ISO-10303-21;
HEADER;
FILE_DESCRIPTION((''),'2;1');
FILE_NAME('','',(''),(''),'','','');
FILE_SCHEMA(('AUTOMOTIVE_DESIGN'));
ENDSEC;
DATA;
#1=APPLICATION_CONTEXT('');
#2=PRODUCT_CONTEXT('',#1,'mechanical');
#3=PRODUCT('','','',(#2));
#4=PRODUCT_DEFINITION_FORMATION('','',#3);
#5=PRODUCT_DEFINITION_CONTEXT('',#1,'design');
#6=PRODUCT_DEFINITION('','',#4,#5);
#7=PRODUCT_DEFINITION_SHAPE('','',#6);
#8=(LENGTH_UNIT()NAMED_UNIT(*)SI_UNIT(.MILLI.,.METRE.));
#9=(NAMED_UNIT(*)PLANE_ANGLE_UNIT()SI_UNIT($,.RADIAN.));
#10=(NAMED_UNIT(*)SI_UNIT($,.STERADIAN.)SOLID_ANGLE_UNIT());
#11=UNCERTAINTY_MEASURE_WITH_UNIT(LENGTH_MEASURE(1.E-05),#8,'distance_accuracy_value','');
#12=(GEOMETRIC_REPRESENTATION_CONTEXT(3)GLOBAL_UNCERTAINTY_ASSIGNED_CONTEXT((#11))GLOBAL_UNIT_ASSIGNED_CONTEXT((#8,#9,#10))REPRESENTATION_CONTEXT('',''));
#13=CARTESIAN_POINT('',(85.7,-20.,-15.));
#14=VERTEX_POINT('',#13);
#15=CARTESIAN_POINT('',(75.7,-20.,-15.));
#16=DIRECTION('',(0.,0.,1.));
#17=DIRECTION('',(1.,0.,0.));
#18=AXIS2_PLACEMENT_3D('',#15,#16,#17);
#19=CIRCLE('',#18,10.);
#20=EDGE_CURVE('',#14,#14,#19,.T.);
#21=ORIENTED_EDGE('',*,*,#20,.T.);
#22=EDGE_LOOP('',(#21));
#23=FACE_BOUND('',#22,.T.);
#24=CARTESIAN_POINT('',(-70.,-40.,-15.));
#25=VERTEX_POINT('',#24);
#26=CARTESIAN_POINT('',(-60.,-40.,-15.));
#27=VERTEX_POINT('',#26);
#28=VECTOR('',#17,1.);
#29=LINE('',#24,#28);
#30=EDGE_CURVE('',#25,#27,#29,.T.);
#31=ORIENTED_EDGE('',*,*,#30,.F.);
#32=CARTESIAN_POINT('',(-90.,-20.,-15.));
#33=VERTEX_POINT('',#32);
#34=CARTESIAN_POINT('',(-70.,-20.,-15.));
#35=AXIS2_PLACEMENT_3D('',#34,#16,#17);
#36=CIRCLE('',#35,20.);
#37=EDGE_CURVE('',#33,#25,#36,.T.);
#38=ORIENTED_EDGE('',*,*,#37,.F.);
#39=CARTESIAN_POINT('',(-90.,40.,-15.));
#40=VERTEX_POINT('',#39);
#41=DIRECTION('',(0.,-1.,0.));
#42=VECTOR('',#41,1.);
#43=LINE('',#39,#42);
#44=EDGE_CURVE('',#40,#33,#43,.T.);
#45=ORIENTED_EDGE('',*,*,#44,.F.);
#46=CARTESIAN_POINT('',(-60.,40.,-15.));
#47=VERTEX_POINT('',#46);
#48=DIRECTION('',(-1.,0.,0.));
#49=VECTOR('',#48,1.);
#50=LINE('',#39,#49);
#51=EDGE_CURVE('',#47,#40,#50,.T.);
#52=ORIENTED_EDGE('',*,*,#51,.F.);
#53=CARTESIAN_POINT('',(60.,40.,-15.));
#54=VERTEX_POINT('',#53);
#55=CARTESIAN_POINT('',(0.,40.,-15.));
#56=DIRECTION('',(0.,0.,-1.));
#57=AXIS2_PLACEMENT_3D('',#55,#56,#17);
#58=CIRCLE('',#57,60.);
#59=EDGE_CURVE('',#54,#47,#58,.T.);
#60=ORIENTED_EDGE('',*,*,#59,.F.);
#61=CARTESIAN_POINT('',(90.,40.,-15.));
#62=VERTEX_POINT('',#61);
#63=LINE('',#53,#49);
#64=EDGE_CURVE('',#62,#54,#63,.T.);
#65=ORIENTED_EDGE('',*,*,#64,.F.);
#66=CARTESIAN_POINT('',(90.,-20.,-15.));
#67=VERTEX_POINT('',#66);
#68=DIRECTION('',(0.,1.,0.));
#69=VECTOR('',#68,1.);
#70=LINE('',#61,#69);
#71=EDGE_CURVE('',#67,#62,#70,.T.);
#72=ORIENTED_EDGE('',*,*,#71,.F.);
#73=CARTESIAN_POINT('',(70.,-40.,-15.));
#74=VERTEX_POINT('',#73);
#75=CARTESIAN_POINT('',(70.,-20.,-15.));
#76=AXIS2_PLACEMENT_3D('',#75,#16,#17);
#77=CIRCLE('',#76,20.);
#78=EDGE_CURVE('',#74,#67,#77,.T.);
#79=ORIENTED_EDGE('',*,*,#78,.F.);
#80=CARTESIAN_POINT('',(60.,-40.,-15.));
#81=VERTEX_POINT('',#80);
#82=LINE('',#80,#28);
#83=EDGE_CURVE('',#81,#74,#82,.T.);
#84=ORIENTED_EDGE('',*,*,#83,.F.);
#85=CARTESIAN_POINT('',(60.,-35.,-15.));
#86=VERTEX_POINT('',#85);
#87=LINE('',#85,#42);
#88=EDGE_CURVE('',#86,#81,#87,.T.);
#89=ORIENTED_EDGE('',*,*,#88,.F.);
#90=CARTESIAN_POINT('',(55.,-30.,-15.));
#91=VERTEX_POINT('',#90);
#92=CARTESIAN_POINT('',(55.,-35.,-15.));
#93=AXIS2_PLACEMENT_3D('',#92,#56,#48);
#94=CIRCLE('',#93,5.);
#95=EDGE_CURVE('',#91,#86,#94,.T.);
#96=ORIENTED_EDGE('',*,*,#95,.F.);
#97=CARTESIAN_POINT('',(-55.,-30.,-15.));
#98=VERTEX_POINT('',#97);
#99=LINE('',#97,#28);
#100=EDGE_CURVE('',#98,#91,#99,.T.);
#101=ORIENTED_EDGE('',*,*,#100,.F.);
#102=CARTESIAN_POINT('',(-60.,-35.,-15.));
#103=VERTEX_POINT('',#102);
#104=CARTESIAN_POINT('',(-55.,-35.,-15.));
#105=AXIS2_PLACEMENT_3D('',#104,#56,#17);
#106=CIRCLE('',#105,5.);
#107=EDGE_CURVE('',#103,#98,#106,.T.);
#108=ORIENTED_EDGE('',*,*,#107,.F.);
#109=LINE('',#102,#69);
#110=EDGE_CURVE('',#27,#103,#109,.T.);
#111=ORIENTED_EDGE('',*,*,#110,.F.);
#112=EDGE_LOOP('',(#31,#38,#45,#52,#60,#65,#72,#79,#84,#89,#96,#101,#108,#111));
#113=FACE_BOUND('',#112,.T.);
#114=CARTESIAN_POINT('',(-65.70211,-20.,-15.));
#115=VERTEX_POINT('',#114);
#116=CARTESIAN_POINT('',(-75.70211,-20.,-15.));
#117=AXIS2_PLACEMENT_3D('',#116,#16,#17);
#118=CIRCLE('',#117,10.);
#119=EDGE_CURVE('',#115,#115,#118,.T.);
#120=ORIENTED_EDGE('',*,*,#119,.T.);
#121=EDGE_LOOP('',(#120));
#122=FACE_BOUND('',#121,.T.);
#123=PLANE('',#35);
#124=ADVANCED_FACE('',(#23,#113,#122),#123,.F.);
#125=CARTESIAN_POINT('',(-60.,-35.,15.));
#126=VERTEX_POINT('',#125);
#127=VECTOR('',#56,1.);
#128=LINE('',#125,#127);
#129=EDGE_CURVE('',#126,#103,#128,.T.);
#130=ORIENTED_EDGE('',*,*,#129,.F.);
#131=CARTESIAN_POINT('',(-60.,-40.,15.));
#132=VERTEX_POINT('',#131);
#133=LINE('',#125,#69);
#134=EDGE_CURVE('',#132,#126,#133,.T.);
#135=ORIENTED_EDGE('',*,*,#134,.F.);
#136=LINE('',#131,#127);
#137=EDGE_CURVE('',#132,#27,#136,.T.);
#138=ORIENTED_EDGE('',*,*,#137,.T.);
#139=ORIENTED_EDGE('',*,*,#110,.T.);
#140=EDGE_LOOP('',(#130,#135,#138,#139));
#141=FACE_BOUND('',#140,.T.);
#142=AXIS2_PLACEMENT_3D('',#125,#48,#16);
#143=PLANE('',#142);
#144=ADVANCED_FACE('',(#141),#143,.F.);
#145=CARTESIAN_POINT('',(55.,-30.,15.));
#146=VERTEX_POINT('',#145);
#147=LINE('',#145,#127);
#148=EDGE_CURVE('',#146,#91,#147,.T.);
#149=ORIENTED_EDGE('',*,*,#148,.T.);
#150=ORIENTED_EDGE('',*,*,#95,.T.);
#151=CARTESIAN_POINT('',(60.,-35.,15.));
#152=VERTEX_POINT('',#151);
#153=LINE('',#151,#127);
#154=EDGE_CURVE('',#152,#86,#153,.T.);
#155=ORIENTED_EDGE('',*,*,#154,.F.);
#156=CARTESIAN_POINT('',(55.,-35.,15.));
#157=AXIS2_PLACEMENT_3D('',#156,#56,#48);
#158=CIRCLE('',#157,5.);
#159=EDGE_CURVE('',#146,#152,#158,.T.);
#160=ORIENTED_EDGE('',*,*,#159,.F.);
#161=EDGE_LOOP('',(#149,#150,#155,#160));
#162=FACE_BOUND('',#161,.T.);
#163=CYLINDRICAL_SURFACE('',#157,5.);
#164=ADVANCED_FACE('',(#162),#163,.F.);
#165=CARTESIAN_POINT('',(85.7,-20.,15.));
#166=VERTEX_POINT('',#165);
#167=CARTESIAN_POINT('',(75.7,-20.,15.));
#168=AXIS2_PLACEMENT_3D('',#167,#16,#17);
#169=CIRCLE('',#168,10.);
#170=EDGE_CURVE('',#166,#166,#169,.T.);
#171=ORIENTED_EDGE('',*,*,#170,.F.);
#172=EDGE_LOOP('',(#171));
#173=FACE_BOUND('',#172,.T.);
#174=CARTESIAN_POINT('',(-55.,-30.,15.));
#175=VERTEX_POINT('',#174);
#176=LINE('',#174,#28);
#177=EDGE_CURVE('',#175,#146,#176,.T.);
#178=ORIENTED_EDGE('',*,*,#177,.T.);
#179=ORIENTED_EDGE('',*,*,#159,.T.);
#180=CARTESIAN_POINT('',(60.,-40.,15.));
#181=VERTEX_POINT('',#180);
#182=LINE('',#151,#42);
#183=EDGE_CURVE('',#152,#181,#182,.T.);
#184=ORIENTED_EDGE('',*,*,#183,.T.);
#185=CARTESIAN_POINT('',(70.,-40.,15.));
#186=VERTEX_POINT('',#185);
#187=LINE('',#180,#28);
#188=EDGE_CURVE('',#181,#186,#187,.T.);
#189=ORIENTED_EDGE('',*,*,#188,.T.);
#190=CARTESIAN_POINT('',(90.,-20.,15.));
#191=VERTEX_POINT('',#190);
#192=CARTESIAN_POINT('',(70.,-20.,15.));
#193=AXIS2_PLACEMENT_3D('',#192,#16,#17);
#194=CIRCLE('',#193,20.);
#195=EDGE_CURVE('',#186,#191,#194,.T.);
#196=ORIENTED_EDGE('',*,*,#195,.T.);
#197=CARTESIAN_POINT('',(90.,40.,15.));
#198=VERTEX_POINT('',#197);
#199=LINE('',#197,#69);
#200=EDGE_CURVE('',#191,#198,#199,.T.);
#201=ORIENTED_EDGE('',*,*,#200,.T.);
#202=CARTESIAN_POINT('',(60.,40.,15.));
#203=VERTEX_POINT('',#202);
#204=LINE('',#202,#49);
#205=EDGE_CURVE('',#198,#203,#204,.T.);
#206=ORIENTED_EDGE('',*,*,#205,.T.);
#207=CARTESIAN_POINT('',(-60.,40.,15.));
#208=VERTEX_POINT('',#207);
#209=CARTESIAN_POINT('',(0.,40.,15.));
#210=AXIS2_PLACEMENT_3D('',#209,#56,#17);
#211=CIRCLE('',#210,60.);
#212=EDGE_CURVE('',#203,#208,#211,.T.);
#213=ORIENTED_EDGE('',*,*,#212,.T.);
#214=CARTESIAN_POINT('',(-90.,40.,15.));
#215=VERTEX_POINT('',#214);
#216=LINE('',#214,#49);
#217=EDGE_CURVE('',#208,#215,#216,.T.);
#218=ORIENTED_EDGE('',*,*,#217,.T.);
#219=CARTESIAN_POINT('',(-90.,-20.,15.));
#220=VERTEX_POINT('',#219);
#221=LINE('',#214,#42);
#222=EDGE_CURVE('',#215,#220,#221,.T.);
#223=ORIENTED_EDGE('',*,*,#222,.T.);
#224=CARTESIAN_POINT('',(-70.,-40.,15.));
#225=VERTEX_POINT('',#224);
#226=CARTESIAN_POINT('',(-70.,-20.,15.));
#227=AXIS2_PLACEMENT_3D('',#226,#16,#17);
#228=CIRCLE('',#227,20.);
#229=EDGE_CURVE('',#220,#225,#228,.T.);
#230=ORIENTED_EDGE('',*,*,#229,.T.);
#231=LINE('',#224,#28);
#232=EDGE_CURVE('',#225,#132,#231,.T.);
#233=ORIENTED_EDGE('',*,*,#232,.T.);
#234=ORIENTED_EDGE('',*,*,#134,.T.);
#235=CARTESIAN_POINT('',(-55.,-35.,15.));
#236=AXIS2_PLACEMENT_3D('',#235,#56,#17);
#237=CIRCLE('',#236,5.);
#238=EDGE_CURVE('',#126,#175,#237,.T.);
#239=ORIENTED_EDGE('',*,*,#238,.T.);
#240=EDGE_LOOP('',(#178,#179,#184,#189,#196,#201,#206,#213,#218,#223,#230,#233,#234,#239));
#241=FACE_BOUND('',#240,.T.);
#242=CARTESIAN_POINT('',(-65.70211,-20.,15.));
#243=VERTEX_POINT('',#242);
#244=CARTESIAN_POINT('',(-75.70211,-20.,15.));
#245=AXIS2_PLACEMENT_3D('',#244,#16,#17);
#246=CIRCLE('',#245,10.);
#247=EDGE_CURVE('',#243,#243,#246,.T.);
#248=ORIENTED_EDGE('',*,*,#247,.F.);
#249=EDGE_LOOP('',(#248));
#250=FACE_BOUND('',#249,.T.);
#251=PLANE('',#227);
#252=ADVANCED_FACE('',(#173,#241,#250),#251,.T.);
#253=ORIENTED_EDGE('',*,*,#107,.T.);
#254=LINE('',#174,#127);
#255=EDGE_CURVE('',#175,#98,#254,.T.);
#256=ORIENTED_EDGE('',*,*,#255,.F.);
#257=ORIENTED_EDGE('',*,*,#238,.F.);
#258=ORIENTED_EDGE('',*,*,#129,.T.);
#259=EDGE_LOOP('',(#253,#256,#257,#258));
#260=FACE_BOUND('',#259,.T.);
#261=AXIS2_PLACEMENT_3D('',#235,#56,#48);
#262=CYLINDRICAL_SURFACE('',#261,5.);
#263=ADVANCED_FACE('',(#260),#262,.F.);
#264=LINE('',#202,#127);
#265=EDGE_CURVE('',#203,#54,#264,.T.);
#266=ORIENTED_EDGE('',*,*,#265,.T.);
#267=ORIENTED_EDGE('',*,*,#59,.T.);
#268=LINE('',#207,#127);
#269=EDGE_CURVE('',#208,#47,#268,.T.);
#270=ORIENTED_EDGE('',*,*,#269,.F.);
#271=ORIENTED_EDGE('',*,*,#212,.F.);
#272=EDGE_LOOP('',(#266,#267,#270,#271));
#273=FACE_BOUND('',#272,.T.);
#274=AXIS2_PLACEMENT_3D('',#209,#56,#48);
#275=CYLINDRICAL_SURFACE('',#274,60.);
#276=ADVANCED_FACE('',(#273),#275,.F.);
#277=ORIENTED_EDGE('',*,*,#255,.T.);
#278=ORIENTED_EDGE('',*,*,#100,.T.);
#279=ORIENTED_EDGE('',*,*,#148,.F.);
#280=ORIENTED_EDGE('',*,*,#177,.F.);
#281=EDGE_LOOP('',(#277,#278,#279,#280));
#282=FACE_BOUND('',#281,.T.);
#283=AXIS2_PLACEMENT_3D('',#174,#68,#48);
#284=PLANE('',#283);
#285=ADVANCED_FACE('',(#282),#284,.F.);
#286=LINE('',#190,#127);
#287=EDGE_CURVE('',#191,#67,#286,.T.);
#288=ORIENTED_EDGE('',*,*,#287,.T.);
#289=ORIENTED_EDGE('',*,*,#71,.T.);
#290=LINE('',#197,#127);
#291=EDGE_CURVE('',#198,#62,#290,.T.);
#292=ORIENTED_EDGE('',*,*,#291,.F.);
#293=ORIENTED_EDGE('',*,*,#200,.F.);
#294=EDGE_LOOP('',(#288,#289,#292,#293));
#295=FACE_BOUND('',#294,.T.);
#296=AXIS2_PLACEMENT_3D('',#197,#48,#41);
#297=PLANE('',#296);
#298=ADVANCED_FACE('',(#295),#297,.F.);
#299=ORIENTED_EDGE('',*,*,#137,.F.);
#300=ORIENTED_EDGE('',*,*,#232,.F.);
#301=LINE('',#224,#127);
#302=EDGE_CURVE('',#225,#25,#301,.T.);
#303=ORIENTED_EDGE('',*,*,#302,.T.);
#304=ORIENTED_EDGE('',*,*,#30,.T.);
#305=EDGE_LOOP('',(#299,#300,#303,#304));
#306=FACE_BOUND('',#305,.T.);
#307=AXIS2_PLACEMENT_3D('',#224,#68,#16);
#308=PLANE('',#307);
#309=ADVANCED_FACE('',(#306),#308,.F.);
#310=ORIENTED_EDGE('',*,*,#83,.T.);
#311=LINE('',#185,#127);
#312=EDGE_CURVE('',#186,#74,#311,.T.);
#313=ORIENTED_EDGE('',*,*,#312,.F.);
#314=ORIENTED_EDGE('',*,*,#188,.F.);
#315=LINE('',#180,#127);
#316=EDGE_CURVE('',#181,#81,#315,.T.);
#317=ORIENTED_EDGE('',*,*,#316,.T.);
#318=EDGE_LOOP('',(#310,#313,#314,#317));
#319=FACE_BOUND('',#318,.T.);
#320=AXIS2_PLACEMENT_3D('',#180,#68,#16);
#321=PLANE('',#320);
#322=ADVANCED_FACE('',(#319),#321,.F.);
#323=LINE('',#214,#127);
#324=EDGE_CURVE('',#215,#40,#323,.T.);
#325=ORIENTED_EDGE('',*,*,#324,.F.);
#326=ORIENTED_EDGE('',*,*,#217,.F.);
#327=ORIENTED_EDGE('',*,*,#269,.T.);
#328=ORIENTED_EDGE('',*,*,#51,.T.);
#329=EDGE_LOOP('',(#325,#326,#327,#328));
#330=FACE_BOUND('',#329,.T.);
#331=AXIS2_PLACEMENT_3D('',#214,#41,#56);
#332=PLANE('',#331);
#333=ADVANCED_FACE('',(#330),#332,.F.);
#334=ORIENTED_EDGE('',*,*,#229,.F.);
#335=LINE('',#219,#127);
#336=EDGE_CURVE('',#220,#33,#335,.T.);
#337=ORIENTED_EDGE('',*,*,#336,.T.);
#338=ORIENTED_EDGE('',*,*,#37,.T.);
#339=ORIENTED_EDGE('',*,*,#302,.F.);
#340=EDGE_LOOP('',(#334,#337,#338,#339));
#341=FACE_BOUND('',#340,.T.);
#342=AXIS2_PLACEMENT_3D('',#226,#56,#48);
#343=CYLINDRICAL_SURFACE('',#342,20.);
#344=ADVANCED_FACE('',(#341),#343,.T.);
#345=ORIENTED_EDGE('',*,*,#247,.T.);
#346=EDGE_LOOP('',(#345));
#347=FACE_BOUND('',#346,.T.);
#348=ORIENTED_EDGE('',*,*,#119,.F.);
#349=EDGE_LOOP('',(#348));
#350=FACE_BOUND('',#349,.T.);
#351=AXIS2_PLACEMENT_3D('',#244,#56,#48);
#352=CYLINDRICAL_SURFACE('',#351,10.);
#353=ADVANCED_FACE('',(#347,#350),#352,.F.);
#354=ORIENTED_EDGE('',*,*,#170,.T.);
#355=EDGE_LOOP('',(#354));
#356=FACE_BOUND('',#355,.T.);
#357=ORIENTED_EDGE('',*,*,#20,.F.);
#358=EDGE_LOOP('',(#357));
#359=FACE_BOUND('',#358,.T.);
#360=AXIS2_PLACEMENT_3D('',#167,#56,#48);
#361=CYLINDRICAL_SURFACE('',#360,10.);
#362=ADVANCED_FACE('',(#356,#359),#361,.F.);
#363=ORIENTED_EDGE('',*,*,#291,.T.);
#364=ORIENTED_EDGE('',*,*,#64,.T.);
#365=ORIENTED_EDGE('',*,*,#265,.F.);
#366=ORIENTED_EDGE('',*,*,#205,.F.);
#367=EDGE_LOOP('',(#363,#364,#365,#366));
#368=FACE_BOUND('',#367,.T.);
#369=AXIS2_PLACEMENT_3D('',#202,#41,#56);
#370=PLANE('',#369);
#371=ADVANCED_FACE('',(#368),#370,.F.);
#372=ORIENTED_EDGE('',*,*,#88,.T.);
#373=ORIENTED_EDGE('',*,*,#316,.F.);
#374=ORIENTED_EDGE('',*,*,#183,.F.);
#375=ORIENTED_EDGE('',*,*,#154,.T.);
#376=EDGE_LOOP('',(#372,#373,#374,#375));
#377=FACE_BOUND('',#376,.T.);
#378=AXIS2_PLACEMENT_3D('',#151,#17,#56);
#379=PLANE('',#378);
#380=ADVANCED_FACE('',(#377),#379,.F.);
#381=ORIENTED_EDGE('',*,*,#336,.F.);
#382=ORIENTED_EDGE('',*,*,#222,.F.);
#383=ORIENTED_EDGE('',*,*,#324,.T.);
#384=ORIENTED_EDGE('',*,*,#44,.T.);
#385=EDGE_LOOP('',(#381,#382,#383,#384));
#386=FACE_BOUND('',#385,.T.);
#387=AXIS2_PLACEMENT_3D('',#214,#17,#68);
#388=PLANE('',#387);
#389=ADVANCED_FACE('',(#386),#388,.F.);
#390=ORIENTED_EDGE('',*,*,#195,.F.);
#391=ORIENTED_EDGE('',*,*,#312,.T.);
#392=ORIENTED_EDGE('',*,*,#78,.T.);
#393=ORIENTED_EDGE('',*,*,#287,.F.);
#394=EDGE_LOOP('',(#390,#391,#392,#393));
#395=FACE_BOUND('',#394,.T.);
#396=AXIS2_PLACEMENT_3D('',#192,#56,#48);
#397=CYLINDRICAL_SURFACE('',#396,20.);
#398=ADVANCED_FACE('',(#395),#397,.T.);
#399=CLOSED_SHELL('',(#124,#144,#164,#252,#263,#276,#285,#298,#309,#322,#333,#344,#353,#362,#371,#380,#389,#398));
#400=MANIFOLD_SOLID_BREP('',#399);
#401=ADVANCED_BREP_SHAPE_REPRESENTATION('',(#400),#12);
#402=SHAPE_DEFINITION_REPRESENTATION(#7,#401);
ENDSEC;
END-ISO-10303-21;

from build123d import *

# Parameters (mm, degrees)
SKETCH1_R           = 10
BOSS_EXTRUDE1_DEPTH = 15


with BuildPart() as part:
    # Sketch1 → Boss-Extrude1 (new, symmetric)
    with BuildSketch(Plane.XY):
        with BuildLine():
            Line((60, 40), (90, 40))
            Line((90, 40), (90, -20))
            ThreePointArc((90, -20), (84.142135624, -34.142135624), (70, -40))
            Line((70, -40), (60, -40))
            Line((60, -40), (60, -35))
            ThreePointArc((60, -35), (58.535533906, -31.464466094), (55, -30))
            Line((55, -30), (-55, -30))
            ThreePointArc((-55, -30), (-58.535533906, -31.464466094), (-60, -35))
            Line((-60, -35), (-60, -40))
            Line((-60, -40), (-70, -40))
            ThreePointArc((-70, -40), (-84.142135624, -34.142135624), (-90, -20))
            Line((-90, -20), (-90, 40))
            Line((-90, 40), (-60, 40))
            ThreePointArc((-60, 40), (0, -20), (60, 40))
        make_face()
        with Locations((-75.702110111, -20)):
            Circle(SKETCH1_R, mode=Mode.SUBTRACT)
        with Locations((75.7, -20)):
            Circle(SKETCH1_R, mode=Mode.SUBTRACT)
    extrude(amount=BOSS_EXTRUDE1_DEPTH, both=True)


solid = part.part
